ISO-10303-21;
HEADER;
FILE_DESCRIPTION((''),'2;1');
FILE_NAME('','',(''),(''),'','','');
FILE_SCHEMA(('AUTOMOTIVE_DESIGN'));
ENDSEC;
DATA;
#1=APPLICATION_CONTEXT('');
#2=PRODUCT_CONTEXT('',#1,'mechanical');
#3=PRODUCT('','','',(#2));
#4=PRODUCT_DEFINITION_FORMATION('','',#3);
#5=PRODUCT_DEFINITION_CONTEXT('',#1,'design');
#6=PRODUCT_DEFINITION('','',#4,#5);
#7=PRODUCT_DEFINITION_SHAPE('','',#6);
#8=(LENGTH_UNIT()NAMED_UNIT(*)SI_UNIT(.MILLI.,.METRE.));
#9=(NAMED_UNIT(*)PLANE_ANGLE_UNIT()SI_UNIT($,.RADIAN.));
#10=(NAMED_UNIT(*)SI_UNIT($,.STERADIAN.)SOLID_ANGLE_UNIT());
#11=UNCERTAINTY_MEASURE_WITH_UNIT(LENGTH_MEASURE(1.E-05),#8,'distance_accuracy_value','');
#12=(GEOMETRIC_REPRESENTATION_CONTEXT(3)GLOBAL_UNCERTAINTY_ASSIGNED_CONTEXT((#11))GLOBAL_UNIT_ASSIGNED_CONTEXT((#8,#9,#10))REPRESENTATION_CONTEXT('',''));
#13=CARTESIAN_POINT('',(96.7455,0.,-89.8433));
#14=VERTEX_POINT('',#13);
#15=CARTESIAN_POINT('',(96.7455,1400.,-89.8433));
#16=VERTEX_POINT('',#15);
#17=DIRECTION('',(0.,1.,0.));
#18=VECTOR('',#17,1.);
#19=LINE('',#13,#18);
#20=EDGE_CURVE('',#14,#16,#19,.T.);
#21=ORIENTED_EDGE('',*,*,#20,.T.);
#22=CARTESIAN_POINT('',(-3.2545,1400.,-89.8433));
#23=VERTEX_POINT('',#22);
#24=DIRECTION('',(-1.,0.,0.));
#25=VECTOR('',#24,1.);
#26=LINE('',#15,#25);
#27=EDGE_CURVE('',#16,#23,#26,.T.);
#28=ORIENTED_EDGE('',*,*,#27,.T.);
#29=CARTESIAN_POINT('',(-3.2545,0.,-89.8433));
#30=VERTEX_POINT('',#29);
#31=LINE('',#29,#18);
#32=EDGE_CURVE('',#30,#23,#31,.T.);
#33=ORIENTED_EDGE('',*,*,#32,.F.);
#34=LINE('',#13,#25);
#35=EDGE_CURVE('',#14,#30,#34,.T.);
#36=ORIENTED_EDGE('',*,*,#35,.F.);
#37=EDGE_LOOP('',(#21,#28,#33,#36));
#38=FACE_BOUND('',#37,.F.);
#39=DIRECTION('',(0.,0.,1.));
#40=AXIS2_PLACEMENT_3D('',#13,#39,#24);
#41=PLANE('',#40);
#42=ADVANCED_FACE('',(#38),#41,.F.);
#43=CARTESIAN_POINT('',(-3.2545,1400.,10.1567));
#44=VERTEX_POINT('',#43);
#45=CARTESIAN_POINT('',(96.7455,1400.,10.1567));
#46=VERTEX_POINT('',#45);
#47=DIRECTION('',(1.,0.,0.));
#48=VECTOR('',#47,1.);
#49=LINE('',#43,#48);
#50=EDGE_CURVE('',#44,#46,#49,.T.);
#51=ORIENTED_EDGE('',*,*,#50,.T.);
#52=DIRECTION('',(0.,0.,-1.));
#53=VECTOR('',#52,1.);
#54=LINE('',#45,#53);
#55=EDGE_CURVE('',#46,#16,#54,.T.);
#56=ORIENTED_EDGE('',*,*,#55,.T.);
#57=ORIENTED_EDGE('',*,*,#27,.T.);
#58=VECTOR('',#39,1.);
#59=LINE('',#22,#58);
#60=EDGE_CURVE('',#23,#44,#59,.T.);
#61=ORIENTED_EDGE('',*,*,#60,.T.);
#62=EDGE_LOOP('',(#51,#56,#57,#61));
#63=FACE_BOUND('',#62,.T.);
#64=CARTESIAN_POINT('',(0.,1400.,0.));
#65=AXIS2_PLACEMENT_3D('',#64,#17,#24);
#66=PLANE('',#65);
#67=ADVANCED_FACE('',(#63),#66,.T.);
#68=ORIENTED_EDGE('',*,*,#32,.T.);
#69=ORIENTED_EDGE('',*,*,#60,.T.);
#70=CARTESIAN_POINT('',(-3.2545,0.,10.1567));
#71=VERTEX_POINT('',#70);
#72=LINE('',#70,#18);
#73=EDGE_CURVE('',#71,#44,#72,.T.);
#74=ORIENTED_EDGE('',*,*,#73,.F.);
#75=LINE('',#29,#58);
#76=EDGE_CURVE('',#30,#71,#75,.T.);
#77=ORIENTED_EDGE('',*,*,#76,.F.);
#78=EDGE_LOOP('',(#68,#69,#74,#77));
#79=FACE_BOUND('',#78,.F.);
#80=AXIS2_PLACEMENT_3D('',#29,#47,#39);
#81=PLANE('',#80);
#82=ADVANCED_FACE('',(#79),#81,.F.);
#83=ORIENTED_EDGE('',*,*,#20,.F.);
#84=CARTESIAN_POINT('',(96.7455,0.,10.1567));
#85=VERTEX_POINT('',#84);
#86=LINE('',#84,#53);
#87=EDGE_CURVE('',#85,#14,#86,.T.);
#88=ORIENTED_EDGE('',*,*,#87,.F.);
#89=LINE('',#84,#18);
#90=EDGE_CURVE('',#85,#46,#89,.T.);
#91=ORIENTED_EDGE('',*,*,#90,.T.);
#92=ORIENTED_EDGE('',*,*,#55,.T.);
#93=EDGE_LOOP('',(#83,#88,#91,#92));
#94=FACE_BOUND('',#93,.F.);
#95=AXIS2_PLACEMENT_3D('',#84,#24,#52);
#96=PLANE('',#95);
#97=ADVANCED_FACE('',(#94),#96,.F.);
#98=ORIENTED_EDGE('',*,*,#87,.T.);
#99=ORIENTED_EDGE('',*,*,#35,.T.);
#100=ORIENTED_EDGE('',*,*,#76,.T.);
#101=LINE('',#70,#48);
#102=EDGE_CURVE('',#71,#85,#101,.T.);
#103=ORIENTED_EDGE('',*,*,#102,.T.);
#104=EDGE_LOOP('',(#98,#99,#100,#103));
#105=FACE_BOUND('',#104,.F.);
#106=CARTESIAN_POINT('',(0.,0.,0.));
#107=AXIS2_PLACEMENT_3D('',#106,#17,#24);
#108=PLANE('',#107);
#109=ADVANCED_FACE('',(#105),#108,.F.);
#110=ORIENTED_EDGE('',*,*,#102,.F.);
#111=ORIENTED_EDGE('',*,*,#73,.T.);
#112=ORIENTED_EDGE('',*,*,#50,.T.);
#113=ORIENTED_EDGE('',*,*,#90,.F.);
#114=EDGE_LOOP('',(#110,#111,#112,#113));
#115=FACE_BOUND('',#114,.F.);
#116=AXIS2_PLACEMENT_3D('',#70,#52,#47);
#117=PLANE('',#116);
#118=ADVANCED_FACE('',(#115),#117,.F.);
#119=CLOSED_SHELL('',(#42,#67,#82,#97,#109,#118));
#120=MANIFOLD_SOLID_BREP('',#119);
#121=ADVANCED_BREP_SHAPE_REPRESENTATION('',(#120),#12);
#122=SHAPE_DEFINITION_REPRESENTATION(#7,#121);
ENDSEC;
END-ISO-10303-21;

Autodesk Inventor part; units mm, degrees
ref_plane "YZ Plane" through (0, 0, 0) normal (1, 0, 0) x (0, 1, 0)
ref_plane "XZ Plane" through (0, 0, 0) normal (0, 1, 0) x (-1, 0, 0)
ref_plane "XY Plane" through (0, 0, 0) normal (0, 0, 1) x (1, 0, 0)
sketch "Sketch1" plane through (0, 0, 0) normal (0, 1, 0) x (-1, 0, 0)
  line L0 (3.2545, 10.1567) -> (-96.7455, 10.1567)
  line L1 (-96.7455, 10.1567) -> (-96.7455, -89.8433)
  line L2 (-96.7455, -89.8433) -> (3.2545, -89.8433)
  line L3 (3.2545, -89.8433) -> (3.2545, 10.1567)
  point P0 (0, 0)
  dimension "d0" = 100
  dimension "d1" = 100
extrude "Extrusion1" add sketch "Sketch1" along normal blind 1400
